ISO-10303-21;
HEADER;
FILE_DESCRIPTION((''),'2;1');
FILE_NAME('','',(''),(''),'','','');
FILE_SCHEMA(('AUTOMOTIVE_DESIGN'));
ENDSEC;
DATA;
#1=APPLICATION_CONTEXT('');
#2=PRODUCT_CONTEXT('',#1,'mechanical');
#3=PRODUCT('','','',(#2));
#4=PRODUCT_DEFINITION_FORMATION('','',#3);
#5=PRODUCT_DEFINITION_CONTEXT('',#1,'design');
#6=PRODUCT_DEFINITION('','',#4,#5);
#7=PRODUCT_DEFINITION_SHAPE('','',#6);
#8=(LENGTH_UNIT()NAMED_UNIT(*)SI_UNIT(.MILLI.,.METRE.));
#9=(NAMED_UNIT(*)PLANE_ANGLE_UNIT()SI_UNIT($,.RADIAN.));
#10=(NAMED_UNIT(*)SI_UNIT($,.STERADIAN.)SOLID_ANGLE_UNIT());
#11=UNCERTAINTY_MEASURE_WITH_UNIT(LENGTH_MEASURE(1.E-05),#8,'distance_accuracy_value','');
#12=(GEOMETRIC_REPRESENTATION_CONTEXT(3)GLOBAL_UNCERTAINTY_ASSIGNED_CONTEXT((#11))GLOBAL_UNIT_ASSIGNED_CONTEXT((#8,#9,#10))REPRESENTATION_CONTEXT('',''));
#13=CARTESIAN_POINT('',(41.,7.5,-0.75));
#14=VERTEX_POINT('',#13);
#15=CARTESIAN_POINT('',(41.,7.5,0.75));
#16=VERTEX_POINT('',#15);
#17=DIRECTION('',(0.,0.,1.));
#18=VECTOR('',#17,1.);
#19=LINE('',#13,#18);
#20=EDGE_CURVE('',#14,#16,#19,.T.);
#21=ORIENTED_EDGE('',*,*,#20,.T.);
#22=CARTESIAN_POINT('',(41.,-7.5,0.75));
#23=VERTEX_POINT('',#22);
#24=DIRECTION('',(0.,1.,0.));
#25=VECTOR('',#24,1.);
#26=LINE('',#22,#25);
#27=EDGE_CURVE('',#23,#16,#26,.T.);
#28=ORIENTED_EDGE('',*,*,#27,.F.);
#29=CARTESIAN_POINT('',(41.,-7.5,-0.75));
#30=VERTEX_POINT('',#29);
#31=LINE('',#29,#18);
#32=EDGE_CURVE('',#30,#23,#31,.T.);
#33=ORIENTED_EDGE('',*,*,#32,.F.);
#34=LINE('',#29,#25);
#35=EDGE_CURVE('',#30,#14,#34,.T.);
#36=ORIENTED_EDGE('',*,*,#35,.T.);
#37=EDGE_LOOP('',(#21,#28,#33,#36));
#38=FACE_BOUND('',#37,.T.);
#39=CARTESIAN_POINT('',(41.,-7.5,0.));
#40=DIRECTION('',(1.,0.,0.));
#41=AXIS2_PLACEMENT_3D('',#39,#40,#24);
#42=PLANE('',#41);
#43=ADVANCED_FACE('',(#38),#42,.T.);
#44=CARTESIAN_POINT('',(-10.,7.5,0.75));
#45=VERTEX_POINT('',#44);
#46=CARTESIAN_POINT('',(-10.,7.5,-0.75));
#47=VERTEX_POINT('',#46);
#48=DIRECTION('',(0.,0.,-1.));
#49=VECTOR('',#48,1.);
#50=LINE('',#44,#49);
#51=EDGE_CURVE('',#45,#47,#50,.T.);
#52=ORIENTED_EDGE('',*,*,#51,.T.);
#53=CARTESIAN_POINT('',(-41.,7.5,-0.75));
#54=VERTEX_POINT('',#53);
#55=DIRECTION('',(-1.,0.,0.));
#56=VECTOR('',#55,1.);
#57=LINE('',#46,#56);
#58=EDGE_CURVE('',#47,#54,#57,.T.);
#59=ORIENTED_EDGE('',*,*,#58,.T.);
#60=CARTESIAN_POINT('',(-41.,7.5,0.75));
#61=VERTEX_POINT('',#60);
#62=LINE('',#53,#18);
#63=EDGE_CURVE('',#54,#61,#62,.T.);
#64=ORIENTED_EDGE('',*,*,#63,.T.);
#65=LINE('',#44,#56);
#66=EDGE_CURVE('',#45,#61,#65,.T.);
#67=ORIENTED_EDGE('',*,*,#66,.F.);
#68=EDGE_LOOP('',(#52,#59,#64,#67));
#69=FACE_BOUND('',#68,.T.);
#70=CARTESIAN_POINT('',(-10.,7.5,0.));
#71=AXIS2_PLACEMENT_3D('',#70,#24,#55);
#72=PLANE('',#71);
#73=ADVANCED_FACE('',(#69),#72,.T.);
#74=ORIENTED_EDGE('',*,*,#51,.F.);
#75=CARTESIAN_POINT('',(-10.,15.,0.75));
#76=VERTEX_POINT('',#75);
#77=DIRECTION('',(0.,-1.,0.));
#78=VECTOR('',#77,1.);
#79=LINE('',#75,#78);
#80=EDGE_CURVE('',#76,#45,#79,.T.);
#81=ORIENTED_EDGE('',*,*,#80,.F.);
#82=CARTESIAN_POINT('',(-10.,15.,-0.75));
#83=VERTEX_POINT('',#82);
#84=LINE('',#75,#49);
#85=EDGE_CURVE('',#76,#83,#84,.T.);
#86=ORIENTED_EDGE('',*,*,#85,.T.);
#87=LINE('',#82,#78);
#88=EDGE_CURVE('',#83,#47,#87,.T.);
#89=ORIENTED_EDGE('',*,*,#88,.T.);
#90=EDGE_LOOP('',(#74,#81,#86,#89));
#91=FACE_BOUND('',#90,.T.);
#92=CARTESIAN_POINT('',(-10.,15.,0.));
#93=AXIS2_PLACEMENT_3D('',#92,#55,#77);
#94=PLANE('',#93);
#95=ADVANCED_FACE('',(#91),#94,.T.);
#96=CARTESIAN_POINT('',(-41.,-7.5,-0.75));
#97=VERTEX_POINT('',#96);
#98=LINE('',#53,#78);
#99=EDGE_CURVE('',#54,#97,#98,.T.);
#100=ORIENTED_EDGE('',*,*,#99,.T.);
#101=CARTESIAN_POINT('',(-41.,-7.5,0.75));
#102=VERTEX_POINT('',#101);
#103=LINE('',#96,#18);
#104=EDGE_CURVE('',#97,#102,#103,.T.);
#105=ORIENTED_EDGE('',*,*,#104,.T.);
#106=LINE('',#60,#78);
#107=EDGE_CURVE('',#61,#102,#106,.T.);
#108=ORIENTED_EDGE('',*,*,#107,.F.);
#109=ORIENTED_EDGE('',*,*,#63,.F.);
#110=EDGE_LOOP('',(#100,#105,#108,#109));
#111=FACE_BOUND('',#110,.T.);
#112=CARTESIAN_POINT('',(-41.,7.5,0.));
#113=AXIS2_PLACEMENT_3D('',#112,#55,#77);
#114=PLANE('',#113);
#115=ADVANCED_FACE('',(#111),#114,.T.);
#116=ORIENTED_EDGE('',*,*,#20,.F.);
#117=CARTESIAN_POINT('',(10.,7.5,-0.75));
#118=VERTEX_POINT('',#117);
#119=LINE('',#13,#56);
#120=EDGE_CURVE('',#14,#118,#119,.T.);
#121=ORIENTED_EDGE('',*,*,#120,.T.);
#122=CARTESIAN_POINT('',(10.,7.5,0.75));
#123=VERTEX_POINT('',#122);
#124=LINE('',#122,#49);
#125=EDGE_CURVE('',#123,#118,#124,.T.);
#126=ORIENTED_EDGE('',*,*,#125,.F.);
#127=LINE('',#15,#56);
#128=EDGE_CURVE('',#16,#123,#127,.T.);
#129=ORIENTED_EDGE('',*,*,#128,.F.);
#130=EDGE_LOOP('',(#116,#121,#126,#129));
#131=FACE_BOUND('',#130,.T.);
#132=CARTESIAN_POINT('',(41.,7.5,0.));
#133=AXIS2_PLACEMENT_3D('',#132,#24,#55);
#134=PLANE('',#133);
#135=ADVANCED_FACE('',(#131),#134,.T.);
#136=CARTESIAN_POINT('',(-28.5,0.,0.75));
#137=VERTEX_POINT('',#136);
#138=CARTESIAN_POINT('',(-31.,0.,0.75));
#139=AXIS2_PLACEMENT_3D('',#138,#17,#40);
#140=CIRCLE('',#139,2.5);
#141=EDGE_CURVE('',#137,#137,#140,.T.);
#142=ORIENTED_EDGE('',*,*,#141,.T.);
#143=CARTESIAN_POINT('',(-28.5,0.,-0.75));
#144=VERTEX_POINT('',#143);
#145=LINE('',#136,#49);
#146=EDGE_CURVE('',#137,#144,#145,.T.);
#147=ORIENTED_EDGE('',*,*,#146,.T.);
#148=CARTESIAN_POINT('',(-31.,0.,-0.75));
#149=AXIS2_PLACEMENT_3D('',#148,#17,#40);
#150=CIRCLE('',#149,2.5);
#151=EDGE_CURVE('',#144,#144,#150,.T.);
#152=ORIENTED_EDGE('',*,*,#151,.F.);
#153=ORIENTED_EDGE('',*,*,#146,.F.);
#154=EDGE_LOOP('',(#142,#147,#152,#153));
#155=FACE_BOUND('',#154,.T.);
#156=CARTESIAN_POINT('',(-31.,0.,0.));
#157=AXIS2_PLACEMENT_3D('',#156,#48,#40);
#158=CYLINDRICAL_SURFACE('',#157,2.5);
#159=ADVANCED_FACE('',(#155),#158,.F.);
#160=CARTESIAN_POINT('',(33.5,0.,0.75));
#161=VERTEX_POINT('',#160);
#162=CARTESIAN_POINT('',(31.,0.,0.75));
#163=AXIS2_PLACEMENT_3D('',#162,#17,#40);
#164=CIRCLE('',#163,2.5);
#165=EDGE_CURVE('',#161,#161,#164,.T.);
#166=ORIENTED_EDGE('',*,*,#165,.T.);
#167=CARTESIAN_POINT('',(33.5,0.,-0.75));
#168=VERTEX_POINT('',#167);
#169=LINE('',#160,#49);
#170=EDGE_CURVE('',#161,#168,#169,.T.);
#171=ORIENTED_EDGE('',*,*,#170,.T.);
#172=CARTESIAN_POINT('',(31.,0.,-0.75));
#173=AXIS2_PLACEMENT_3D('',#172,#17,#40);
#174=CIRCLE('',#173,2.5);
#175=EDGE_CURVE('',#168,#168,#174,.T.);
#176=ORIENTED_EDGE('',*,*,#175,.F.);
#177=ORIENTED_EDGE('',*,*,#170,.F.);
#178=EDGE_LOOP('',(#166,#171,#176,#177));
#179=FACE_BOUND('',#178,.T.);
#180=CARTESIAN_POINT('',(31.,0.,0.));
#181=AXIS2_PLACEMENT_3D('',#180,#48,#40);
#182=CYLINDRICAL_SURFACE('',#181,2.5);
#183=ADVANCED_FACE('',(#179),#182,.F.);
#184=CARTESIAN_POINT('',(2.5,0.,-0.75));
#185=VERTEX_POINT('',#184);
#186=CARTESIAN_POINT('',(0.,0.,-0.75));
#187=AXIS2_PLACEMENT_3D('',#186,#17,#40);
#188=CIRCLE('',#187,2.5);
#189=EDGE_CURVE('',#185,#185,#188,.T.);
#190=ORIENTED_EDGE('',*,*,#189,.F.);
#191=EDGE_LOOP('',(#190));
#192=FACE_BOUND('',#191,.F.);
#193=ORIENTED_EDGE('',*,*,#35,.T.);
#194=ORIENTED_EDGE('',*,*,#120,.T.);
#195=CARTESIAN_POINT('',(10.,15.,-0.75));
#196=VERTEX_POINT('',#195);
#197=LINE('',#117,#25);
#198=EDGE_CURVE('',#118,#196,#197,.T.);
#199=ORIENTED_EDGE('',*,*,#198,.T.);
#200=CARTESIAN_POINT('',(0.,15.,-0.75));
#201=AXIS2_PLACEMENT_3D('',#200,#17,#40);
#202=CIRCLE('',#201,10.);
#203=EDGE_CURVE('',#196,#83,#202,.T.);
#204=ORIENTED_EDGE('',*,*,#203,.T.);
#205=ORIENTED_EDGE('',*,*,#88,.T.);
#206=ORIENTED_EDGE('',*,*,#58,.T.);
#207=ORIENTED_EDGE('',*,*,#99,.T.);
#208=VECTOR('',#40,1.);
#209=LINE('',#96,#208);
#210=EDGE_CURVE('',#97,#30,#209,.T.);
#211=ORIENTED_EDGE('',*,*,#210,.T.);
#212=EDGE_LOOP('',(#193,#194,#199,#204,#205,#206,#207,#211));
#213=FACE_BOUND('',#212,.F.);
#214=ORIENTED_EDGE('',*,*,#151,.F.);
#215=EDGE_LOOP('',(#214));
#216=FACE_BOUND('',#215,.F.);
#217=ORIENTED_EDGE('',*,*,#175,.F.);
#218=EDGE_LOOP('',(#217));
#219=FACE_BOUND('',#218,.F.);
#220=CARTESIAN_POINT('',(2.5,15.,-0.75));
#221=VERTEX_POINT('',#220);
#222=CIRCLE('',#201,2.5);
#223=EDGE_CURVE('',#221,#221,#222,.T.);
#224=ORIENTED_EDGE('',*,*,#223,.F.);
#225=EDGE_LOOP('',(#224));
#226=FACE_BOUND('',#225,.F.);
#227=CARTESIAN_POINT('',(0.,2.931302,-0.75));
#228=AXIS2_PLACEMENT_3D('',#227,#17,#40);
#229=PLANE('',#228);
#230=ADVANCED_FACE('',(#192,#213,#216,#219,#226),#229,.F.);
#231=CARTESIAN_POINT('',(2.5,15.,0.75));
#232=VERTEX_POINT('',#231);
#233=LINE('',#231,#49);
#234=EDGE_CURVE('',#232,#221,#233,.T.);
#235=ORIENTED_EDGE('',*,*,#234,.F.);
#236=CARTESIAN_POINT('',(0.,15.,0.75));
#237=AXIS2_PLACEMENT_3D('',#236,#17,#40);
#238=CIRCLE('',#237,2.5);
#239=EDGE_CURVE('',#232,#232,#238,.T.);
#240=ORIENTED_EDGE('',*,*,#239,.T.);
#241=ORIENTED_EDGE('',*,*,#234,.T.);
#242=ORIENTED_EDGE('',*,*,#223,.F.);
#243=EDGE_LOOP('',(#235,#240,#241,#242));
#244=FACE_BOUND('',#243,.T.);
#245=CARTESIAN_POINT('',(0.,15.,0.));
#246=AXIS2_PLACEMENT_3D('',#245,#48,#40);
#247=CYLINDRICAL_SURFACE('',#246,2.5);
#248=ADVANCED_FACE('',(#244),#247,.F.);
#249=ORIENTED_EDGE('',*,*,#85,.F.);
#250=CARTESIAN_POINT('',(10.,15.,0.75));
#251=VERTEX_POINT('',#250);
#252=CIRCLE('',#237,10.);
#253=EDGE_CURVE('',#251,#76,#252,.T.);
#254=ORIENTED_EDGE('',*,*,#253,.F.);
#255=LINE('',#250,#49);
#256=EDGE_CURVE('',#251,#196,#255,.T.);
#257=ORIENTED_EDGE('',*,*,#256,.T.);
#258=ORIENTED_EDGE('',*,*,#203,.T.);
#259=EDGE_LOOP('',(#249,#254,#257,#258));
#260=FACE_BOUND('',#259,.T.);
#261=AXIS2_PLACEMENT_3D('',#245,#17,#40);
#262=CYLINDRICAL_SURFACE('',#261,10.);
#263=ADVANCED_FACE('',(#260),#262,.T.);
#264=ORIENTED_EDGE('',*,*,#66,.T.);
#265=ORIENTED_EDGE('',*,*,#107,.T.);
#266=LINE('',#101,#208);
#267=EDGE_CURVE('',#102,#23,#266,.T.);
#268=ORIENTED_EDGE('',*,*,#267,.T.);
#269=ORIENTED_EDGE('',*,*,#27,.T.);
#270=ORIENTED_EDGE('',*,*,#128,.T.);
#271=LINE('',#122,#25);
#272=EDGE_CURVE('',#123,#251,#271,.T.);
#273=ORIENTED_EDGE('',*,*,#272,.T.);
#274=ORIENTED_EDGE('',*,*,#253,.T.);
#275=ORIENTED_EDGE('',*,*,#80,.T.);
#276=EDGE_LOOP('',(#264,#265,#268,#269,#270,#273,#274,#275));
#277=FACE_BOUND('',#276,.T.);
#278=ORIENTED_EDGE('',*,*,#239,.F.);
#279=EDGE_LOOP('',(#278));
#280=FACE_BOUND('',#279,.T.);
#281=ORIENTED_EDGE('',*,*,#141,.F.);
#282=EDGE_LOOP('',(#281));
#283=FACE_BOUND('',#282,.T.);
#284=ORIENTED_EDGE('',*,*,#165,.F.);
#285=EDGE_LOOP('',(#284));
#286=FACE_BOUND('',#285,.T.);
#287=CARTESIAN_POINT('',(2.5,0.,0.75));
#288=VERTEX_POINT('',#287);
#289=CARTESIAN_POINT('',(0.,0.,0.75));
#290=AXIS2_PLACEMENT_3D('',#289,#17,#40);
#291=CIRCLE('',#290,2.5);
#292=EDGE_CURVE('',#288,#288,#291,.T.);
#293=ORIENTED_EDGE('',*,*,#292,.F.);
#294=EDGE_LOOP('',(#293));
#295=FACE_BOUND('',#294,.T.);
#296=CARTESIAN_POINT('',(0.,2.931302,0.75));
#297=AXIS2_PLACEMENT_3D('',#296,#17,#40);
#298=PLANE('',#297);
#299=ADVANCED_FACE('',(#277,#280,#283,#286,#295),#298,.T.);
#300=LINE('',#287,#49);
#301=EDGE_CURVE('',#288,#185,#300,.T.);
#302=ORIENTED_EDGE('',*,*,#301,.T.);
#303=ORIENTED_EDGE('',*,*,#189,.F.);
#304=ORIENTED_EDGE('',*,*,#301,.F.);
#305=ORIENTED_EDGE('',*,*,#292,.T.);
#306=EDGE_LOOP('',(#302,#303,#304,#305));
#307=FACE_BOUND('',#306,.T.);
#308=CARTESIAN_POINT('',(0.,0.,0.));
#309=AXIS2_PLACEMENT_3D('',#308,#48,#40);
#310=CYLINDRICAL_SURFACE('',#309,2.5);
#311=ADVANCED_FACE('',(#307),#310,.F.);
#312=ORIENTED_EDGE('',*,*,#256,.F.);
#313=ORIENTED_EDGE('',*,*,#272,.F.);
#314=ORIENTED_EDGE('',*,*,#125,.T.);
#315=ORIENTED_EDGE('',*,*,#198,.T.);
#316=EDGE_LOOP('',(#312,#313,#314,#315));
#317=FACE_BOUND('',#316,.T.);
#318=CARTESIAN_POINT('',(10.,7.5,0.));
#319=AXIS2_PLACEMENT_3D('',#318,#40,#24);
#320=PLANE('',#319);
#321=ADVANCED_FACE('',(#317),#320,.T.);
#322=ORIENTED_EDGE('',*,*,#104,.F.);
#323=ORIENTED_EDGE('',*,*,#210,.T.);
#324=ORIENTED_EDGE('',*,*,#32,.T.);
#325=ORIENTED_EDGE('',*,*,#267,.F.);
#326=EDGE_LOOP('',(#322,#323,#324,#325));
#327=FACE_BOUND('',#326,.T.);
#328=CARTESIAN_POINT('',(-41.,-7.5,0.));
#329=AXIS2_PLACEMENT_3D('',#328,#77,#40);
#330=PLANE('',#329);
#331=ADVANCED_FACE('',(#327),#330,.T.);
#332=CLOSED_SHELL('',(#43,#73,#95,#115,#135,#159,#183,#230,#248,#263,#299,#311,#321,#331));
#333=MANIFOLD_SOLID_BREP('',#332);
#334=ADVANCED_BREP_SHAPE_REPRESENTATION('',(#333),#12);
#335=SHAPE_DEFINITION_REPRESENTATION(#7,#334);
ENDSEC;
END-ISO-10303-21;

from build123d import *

# Parameters (mm, degrees)
F0_R     = 2.5
F1_DEPTH = 0.75


with BuildPart() as f1:
    # F0 (on Top) → F1 (new body, symmetric)
    with BuildSketch(Plane.XY):
        with BuildLine():
            Line((-10, 7.5), (-41, 7.5))
            Line((-41, 7.5), (-41, -7.5))
            Line((-41, -7.5), (41, -7.5))
            Line((41, -7.5), (41, 7.5))
            Line((41, 7.5), (10, 7.5))
            Line((10, 7.5), (10, 15))
            ThreePointArc((10, 15), (0, 25), (-10, 15))
            Line((-10, 15), (-10, 7.5))
        make_face()
        with Locations((-31, 0)):
            Circle(F0_R, mode=Mode.SUBTRACT)
        Circle(F0_R, mode=Mode.SUBTRACT)
        with Locations((31, 0)):
            Circle(F0_R, mode=Mode.SUBTRACT)
        with Locations((0, 15)):
            Circle(F0_R, mode=Mode.SUBTRACT)
    extrude(amount=F1_DEPTH, both=True)


solid = f1.part
